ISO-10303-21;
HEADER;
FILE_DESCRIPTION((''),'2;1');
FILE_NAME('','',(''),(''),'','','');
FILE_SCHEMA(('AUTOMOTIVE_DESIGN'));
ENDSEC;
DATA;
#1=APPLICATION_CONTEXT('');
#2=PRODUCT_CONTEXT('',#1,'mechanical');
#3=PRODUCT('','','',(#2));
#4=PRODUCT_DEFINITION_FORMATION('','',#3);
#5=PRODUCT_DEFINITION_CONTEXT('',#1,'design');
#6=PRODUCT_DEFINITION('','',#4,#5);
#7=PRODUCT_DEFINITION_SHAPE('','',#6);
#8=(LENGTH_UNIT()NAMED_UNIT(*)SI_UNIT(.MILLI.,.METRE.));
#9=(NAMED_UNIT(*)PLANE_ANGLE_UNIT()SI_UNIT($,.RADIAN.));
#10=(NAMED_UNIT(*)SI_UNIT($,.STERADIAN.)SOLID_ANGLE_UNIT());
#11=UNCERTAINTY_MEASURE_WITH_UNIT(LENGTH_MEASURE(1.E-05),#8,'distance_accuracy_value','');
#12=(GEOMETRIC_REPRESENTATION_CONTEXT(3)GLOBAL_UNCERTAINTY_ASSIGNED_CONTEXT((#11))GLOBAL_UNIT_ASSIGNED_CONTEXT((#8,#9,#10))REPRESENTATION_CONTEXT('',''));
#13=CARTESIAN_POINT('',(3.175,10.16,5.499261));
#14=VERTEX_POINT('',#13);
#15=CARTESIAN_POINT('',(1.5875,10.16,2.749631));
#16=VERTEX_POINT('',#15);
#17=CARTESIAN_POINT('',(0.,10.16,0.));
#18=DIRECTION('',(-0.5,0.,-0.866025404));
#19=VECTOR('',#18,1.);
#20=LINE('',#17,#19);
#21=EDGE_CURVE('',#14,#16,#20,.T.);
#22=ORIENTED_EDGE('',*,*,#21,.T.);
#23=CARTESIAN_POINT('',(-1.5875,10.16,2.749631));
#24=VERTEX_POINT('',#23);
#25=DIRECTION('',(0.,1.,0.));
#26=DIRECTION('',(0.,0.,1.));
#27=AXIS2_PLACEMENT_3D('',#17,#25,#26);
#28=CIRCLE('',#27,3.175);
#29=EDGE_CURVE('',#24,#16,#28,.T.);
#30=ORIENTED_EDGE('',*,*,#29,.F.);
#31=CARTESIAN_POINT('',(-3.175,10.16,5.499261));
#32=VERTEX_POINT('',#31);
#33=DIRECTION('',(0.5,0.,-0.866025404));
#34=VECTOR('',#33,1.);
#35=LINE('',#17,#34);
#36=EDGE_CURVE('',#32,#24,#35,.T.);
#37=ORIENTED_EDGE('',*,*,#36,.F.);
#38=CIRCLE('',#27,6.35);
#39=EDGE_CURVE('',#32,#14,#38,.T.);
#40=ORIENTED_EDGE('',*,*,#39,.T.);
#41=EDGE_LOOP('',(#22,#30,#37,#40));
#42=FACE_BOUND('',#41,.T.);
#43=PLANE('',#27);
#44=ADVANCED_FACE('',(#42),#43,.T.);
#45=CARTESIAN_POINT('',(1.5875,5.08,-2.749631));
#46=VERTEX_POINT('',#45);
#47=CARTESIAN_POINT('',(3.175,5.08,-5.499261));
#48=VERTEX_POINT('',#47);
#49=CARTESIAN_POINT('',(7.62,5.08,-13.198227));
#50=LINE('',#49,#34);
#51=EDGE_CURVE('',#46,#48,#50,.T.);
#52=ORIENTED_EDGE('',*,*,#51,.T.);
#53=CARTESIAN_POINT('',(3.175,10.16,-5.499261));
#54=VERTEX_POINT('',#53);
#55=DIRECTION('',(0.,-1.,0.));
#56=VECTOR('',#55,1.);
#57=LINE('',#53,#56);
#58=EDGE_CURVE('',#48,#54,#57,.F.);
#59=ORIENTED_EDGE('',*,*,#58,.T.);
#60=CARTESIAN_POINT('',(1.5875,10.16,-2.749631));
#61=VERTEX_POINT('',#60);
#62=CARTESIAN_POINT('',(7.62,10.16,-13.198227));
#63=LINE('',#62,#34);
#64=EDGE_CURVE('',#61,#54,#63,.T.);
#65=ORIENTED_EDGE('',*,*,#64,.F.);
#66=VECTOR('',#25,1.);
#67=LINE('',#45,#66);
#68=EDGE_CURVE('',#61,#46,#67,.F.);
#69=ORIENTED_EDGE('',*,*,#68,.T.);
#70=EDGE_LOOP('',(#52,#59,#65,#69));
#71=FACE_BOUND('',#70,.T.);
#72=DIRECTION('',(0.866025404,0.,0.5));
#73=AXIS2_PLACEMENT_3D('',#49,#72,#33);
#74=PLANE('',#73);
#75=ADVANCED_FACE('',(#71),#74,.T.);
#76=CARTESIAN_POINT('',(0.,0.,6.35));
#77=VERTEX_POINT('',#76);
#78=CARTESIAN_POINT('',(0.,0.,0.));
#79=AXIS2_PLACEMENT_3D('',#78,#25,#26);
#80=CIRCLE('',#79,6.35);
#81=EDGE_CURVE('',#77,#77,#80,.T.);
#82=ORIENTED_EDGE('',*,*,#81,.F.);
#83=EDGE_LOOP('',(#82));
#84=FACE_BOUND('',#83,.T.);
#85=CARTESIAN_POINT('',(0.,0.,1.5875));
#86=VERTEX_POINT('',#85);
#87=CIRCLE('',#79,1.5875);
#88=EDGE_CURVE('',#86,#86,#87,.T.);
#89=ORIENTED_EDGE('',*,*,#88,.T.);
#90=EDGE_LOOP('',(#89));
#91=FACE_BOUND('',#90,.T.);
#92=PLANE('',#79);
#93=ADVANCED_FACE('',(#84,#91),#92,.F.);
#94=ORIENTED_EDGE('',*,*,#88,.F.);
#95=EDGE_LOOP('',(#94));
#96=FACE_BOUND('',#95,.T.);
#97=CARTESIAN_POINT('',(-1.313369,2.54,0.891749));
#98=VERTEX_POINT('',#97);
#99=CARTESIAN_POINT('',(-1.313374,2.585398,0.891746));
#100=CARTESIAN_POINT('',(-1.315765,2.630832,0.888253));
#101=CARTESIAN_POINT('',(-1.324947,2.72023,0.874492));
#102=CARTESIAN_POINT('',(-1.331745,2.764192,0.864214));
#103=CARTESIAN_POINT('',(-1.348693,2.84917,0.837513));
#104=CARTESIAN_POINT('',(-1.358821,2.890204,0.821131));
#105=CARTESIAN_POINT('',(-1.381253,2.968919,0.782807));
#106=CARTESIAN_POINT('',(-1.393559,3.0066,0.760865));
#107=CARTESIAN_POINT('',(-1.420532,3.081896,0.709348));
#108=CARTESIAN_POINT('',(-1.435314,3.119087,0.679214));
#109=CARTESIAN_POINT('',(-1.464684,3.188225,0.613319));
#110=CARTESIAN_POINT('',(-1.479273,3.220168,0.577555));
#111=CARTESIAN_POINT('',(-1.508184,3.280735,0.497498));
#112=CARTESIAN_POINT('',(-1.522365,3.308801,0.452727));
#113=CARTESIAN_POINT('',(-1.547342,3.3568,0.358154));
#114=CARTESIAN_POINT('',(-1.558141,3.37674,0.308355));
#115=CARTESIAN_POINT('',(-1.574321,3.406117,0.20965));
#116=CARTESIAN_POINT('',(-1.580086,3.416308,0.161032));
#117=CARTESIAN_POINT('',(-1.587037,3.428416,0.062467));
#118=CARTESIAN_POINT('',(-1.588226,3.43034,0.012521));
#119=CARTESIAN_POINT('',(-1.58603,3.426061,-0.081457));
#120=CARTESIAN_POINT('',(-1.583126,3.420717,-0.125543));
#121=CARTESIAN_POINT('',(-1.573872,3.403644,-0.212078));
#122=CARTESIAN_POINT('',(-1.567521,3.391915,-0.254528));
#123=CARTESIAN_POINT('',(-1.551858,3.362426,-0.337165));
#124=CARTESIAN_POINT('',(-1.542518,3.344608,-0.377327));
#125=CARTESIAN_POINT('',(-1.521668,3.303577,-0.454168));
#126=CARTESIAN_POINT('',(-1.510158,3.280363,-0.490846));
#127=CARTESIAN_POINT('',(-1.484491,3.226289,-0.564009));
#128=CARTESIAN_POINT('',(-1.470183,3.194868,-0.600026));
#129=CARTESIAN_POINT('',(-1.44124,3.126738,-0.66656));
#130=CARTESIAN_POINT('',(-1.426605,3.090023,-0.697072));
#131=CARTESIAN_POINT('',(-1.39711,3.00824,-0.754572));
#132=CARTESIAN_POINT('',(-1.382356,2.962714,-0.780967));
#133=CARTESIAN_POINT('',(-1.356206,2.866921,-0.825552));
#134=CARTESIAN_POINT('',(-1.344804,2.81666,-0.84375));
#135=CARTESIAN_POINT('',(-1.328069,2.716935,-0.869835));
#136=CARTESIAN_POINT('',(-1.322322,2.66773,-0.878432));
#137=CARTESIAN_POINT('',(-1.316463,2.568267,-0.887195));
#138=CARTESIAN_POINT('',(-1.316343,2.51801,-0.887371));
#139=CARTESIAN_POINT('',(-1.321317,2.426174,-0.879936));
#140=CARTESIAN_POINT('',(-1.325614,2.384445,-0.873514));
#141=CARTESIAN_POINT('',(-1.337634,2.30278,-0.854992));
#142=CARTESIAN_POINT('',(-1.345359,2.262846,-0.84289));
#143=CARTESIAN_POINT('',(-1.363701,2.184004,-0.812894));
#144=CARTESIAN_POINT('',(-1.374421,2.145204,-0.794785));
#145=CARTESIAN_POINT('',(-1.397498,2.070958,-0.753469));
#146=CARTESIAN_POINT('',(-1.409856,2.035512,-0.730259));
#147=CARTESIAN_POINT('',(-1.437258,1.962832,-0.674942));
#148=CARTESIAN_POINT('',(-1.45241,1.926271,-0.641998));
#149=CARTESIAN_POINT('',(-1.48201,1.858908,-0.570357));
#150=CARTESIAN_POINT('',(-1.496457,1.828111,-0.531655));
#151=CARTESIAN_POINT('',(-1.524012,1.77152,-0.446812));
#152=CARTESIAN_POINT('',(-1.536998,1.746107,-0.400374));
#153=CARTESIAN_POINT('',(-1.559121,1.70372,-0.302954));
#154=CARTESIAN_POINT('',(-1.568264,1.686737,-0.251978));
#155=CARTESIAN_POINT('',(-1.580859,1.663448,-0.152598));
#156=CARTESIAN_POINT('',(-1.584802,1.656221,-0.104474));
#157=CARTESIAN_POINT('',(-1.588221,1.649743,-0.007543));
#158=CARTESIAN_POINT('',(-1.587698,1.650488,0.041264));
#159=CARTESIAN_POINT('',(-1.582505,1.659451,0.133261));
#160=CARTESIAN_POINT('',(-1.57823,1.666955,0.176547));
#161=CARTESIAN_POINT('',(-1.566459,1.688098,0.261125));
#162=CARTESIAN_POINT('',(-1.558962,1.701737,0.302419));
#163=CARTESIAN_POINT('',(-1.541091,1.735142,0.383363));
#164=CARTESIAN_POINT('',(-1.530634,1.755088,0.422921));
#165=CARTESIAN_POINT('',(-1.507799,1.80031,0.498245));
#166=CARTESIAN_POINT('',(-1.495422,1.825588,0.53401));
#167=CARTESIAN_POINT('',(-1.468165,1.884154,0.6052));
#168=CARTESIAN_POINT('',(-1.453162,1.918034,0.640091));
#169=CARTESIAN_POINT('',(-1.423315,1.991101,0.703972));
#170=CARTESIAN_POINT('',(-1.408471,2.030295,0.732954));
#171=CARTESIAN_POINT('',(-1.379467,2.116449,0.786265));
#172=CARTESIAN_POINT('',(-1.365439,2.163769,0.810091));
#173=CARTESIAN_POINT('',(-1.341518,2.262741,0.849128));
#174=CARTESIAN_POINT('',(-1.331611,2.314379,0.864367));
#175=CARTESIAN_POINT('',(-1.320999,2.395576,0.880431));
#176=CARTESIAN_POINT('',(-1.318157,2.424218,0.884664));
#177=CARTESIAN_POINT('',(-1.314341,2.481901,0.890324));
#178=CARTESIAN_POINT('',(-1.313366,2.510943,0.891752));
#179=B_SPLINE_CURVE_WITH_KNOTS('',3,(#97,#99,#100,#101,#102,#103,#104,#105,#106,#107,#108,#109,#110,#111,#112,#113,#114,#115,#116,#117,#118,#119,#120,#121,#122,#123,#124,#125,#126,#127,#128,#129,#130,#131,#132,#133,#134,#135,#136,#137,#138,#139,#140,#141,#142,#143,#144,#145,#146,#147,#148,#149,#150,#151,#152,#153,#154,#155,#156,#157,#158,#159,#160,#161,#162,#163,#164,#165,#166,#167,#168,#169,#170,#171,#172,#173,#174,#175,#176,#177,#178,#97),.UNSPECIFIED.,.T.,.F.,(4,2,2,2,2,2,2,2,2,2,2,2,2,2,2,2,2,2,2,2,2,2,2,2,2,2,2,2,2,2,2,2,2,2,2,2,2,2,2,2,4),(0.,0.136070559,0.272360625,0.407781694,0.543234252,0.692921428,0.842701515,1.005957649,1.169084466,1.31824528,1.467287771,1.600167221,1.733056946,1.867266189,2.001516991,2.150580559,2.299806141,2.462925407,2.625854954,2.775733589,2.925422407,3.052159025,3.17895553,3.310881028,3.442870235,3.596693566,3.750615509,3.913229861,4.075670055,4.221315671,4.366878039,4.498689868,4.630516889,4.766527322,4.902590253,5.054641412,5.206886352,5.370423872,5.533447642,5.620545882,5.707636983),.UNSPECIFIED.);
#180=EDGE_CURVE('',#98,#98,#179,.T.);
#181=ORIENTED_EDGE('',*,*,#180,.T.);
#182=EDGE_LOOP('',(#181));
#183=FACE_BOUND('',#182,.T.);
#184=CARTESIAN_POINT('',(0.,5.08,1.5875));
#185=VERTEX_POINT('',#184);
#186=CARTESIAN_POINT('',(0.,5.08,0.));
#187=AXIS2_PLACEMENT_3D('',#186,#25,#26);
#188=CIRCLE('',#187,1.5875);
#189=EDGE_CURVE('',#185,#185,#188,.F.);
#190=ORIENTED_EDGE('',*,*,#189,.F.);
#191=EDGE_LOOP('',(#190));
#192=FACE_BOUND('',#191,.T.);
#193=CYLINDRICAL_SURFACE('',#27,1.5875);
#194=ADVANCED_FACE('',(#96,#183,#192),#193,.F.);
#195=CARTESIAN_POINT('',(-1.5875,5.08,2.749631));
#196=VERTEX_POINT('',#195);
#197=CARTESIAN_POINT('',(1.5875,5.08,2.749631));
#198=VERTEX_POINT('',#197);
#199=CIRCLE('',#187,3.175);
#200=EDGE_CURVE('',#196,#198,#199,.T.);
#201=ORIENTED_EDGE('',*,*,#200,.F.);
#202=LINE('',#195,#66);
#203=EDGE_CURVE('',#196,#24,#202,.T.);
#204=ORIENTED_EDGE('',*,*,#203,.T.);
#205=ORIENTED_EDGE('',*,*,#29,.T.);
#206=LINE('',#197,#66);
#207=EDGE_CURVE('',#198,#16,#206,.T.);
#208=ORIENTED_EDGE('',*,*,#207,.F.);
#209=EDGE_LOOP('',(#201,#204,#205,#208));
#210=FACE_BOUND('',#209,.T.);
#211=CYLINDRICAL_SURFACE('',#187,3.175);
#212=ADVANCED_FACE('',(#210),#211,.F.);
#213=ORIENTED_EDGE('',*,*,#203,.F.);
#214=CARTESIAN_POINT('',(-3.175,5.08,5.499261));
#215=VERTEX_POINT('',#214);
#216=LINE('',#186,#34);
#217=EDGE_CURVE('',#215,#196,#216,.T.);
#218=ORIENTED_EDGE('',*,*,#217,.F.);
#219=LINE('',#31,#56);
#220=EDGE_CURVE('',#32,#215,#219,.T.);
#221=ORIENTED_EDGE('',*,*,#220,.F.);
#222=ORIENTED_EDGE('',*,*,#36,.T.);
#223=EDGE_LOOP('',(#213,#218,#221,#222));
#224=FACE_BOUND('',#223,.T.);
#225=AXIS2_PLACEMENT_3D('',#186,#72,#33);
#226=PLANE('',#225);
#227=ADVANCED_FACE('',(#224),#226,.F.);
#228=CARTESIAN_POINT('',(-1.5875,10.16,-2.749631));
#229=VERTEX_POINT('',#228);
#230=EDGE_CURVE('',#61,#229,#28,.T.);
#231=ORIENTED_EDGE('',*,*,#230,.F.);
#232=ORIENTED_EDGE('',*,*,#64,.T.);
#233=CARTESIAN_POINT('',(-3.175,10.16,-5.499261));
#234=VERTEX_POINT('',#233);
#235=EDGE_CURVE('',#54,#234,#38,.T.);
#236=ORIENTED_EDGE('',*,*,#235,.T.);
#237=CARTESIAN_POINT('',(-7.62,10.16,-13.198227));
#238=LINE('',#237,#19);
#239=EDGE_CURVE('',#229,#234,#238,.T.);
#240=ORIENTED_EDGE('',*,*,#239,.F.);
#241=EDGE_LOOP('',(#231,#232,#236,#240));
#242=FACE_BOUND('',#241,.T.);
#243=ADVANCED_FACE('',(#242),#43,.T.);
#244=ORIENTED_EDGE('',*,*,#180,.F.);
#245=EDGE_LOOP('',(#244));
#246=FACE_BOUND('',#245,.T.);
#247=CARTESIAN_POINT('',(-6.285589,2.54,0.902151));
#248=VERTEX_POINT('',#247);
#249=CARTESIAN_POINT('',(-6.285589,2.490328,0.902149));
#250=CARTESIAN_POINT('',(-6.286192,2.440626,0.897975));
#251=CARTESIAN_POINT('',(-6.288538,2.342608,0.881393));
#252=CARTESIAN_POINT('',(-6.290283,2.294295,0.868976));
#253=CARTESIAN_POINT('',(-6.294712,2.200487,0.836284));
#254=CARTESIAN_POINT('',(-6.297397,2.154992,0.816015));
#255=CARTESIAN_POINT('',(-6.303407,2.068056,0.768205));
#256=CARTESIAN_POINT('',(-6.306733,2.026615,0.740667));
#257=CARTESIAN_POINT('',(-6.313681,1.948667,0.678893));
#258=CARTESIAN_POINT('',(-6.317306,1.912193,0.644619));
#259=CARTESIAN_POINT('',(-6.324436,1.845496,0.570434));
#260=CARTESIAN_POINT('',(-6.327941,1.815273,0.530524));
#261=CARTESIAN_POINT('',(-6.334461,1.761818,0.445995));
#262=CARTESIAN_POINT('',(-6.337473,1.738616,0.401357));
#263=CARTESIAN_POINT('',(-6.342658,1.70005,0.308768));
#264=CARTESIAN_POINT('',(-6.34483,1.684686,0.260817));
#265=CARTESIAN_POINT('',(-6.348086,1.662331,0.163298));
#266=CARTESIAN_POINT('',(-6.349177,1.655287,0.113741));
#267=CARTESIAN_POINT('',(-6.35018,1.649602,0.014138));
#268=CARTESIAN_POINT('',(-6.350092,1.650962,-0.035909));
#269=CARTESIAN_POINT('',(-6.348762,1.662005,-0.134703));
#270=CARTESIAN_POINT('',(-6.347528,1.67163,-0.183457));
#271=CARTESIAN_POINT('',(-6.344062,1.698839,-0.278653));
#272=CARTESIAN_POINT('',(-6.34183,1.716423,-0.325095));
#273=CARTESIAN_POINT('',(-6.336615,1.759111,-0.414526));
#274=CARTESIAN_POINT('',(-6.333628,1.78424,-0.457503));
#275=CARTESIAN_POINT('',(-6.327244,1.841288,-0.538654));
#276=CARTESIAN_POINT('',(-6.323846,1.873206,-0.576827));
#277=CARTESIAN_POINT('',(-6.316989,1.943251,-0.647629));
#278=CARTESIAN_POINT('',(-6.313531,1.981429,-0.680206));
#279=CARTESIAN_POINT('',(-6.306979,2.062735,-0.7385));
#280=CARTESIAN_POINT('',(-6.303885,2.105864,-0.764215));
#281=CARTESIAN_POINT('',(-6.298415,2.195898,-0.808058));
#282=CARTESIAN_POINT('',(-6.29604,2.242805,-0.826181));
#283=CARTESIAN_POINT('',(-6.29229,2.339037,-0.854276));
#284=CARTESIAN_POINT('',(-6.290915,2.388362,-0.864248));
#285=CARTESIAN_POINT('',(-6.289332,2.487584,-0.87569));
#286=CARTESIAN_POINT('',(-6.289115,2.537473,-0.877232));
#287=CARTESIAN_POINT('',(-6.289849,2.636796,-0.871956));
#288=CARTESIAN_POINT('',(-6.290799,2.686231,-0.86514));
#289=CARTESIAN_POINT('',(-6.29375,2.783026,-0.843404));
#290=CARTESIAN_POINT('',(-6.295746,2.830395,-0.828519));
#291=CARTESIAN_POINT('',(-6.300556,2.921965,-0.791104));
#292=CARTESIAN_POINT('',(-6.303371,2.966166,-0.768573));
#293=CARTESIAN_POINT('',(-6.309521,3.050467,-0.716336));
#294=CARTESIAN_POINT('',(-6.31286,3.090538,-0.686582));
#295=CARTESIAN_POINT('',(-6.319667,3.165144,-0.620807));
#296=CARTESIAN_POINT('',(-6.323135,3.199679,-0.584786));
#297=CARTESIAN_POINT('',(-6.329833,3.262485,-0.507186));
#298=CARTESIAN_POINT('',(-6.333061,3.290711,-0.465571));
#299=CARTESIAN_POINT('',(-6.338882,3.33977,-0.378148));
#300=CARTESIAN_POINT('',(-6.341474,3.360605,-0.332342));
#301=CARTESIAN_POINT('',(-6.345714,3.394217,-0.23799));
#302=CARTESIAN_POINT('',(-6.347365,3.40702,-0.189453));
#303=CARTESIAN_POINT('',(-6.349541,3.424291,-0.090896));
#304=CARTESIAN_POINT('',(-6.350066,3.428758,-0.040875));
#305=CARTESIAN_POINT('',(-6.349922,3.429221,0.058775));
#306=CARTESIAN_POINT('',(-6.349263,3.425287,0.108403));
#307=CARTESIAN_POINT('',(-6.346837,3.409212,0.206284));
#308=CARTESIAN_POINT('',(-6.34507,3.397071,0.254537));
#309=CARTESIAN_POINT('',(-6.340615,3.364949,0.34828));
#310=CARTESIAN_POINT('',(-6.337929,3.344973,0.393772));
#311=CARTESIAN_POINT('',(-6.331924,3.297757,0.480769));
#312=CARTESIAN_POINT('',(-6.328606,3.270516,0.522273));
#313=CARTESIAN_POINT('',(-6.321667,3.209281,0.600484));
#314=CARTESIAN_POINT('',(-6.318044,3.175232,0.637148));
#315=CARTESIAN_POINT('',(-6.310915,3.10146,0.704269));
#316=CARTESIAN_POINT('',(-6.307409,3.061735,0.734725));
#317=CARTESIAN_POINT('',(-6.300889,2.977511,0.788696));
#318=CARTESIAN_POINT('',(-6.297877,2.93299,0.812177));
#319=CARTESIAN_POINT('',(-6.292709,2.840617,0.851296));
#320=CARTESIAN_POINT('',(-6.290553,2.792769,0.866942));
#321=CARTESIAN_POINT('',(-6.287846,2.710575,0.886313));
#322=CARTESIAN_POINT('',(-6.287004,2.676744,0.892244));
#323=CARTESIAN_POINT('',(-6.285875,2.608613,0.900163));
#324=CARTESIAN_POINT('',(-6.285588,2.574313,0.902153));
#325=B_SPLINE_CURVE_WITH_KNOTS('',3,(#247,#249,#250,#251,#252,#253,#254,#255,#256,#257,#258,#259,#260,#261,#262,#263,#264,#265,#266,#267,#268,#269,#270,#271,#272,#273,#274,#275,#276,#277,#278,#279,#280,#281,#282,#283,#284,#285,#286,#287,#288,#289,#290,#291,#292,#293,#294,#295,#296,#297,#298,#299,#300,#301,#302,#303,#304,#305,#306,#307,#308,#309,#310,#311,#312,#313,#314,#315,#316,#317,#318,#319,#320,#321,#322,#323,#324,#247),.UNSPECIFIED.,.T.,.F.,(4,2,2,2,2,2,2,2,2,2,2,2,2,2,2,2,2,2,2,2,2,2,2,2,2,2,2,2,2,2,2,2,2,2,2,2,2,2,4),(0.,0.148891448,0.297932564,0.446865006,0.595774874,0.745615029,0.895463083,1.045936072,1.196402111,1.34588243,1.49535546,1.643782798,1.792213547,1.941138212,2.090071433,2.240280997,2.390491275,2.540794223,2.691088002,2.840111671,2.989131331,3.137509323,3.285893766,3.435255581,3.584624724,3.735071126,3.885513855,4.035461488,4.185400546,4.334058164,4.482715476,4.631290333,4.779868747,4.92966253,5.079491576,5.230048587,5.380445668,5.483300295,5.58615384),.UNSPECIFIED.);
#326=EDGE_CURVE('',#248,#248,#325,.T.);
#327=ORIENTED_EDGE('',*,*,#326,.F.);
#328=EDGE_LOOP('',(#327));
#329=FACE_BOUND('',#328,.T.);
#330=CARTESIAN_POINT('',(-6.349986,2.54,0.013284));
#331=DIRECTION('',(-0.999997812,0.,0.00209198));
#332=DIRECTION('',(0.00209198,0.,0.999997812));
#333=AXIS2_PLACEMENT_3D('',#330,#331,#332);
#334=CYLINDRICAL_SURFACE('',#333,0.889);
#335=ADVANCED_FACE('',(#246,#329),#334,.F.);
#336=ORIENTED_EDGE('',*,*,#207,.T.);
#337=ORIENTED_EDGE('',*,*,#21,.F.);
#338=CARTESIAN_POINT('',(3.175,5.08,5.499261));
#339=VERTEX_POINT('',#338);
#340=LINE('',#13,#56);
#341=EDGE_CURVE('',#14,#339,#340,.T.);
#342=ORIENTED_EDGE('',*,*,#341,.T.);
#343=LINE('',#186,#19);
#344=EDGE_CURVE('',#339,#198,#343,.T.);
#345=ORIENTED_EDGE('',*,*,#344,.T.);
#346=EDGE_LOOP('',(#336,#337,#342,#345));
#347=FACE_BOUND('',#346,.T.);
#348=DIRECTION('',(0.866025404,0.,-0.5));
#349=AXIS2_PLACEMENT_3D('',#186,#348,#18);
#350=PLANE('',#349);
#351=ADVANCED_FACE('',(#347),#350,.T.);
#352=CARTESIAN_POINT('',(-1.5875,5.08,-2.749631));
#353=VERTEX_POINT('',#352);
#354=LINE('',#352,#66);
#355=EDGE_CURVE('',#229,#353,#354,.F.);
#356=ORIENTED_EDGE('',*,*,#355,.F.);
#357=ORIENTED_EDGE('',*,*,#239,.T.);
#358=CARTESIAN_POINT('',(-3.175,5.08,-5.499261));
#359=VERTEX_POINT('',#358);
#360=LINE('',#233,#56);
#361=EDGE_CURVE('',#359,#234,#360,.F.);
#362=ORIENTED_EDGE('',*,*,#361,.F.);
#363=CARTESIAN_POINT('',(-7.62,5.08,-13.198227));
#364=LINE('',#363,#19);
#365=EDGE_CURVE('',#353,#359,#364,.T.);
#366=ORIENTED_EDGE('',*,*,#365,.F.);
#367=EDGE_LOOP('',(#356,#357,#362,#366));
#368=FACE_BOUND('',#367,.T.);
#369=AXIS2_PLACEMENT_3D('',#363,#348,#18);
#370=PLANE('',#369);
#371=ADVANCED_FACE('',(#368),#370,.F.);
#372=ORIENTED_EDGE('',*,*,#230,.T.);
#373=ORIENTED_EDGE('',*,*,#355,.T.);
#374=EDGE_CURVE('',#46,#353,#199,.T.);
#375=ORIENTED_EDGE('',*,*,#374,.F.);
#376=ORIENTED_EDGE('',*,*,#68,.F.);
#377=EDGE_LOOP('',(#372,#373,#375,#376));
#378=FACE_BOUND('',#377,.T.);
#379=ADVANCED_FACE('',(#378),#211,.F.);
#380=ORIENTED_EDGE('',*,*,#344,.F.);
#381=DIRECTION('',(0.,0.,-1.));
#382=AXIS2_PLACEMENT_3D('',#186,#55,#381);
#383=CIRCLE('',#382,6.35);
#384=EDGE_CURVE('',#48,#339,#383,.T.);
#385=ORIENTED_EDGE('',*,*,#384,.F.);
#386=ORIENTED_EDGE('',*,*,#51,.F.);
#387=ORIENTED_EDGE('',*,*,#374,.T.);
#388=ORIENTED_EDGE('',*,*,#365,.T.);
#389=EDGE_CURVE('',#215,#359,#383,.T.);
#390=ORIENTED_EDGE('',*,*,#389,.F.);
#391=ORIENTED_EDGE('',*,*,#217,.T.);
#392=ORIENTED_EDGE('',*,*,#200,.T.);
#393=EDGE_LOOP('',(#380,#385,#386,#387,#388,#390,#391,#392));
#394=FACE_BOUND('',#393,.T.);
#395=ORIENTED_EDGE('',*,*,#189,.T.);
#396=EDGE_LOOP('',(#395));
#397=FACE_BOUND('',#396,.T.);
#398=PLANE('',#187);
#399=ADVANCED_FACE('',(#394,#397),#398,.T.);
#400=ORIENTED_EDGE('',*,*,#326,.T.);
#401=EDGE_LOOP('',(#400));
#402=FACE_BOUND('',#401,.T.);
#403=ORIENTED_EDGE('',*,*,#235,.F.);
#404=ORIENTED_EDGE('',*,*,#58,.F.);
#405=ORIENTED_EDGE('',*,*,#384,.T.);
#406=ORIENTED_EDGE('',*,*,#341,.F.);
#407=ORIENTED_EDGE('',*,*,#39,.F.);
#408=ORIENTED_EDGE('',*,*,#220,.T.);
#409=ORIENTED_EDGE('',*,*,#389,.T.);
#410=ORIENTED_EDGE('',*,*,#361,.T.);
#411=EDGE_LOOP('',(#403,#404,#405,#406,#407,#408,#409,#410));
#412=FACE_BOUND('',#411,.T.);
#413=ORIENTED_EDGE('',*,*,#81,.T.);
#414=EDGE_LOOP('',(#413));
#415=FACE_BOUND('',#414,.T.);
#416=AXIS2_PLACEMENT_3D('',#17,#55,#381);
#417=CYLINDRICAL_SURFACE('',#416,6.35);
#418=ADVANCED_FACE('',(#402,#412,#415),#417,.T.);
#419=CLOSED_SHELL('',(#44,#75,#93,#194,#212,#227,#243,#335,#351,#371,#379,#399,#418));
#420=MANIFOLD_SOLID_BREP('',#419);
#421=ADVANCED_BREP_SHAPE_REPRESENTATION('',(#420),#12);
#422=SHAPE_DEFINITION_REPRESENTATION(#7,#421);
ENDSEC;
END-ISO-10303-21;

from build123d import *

# Parameters (mm, degrees)
SKETCH1_R                    = 6.35
BOSS_EXTRUDE1_DEPTH          = 10.16
F_1_8_0_125_DIAMETER_HOLE1_D = 3.175
SKETCH4_R                    = 3.175
CUT_EXTRUDE1_DEPTH           = 5.08
CUT_EXTRUDE2_DEPTH           = 5.08
F_2_56_TAPPED_HOLE1_REACH    = 18.12
F_2_56_TAPPED_HOLE1_BORE_R   = 0.889


with BuildPart() as part:
    # Sketch1 → Boss-Extrude1 (new body)
    with BuildSketch(Plane(origin=(0, 0, 0), x_dir=(1, 0, 0), z_dir=(0, 1, 0))):
        with Locations(Location((0, 0, 0), (0, 0, 270))):
            Circle(SKETCH1_R)
    extrude(amount=BOSS_EXTRUDE1_DEPTH)

    # 1/8 (0.125) Diameter Hole1 (through all)
    with Locations(Plane(origin=(0, 10.16, 0), x_dir=(1, 0, 0), z_dir=(0, 1, 0))):
        with Locations((0, 0)):
            Hole(F_1_8_0_125_DIAMETER_HOLE1_D / 2)

    # Sketch4 → Cut-Extrude1 (cut)
    with BuildSketch(Plane(origin=(0, 10.16, 0), x_dir=(1, 0, 0), z_dir=(0, 1, 0))):
        with Locations(Location((0, 0, 0), (0, 0, 270))):
            Circle(SKETCH4_R)
    extrude(amount=-CUT_EXTRUDE1_DEPTH, mode=Mode.SUBTRACT)

    # Sketch5 → Cut-Extrude2 (cut)
    with BuildSketch(Plane(origin=(0, 10.16, 0), x_dir=(1, 0, 0), z_dir=(0, 1, 0))):
        Polygon((0, 0), (-7.62, -13.198227154), (-7.62, 13.198227154), align=None)
    cut_extrude2 = extrude(amount=-CUT_EXTRUDE2_DEPTH, mode=Mode.SUBTRACT)

    # Mirror1: Cut-Extrude2 across plane
    add(cut_extrude2.mirror(Plane(origin=(0, 0, 0), x_dir=(0, 0, 1), z_dir=(1, 0, 0))), mode=Mode.SUBTRACT)

    # #2-56 Tapped Hole1 bore (on position points) → #2-56 Tapped Hole1 (cut, up to next)
    with BuildSketch(Plane(origin=(-6.349986105, 2.54, 0.013284072), x_dir=(-0.002091979827, 0, -0.999997811808), z_dir=(-0.999997811808, 0, 0.002091979827)), mode=Mode.PRIVATE) as f_2_56_tapped_hole1_sk1:
        Circle(F_2_56_TAPPED_HOLE1_BORE_R)
    f_2_56_tapped_hole1_tool1 = extrude(f_2_56_tapped_hole1_sk1.sketch, amount=-F_2_56_TAPPED_HOLE1_REACH, mode=Mode.PRIVATE) & part.part
    add(f_2_56_tapped_hole1_tool1.solids().sort_by_distance((-6.349986, 2.54, 0.013284))[0], mode=Mode.SUBTRACT)


solid = part.part
